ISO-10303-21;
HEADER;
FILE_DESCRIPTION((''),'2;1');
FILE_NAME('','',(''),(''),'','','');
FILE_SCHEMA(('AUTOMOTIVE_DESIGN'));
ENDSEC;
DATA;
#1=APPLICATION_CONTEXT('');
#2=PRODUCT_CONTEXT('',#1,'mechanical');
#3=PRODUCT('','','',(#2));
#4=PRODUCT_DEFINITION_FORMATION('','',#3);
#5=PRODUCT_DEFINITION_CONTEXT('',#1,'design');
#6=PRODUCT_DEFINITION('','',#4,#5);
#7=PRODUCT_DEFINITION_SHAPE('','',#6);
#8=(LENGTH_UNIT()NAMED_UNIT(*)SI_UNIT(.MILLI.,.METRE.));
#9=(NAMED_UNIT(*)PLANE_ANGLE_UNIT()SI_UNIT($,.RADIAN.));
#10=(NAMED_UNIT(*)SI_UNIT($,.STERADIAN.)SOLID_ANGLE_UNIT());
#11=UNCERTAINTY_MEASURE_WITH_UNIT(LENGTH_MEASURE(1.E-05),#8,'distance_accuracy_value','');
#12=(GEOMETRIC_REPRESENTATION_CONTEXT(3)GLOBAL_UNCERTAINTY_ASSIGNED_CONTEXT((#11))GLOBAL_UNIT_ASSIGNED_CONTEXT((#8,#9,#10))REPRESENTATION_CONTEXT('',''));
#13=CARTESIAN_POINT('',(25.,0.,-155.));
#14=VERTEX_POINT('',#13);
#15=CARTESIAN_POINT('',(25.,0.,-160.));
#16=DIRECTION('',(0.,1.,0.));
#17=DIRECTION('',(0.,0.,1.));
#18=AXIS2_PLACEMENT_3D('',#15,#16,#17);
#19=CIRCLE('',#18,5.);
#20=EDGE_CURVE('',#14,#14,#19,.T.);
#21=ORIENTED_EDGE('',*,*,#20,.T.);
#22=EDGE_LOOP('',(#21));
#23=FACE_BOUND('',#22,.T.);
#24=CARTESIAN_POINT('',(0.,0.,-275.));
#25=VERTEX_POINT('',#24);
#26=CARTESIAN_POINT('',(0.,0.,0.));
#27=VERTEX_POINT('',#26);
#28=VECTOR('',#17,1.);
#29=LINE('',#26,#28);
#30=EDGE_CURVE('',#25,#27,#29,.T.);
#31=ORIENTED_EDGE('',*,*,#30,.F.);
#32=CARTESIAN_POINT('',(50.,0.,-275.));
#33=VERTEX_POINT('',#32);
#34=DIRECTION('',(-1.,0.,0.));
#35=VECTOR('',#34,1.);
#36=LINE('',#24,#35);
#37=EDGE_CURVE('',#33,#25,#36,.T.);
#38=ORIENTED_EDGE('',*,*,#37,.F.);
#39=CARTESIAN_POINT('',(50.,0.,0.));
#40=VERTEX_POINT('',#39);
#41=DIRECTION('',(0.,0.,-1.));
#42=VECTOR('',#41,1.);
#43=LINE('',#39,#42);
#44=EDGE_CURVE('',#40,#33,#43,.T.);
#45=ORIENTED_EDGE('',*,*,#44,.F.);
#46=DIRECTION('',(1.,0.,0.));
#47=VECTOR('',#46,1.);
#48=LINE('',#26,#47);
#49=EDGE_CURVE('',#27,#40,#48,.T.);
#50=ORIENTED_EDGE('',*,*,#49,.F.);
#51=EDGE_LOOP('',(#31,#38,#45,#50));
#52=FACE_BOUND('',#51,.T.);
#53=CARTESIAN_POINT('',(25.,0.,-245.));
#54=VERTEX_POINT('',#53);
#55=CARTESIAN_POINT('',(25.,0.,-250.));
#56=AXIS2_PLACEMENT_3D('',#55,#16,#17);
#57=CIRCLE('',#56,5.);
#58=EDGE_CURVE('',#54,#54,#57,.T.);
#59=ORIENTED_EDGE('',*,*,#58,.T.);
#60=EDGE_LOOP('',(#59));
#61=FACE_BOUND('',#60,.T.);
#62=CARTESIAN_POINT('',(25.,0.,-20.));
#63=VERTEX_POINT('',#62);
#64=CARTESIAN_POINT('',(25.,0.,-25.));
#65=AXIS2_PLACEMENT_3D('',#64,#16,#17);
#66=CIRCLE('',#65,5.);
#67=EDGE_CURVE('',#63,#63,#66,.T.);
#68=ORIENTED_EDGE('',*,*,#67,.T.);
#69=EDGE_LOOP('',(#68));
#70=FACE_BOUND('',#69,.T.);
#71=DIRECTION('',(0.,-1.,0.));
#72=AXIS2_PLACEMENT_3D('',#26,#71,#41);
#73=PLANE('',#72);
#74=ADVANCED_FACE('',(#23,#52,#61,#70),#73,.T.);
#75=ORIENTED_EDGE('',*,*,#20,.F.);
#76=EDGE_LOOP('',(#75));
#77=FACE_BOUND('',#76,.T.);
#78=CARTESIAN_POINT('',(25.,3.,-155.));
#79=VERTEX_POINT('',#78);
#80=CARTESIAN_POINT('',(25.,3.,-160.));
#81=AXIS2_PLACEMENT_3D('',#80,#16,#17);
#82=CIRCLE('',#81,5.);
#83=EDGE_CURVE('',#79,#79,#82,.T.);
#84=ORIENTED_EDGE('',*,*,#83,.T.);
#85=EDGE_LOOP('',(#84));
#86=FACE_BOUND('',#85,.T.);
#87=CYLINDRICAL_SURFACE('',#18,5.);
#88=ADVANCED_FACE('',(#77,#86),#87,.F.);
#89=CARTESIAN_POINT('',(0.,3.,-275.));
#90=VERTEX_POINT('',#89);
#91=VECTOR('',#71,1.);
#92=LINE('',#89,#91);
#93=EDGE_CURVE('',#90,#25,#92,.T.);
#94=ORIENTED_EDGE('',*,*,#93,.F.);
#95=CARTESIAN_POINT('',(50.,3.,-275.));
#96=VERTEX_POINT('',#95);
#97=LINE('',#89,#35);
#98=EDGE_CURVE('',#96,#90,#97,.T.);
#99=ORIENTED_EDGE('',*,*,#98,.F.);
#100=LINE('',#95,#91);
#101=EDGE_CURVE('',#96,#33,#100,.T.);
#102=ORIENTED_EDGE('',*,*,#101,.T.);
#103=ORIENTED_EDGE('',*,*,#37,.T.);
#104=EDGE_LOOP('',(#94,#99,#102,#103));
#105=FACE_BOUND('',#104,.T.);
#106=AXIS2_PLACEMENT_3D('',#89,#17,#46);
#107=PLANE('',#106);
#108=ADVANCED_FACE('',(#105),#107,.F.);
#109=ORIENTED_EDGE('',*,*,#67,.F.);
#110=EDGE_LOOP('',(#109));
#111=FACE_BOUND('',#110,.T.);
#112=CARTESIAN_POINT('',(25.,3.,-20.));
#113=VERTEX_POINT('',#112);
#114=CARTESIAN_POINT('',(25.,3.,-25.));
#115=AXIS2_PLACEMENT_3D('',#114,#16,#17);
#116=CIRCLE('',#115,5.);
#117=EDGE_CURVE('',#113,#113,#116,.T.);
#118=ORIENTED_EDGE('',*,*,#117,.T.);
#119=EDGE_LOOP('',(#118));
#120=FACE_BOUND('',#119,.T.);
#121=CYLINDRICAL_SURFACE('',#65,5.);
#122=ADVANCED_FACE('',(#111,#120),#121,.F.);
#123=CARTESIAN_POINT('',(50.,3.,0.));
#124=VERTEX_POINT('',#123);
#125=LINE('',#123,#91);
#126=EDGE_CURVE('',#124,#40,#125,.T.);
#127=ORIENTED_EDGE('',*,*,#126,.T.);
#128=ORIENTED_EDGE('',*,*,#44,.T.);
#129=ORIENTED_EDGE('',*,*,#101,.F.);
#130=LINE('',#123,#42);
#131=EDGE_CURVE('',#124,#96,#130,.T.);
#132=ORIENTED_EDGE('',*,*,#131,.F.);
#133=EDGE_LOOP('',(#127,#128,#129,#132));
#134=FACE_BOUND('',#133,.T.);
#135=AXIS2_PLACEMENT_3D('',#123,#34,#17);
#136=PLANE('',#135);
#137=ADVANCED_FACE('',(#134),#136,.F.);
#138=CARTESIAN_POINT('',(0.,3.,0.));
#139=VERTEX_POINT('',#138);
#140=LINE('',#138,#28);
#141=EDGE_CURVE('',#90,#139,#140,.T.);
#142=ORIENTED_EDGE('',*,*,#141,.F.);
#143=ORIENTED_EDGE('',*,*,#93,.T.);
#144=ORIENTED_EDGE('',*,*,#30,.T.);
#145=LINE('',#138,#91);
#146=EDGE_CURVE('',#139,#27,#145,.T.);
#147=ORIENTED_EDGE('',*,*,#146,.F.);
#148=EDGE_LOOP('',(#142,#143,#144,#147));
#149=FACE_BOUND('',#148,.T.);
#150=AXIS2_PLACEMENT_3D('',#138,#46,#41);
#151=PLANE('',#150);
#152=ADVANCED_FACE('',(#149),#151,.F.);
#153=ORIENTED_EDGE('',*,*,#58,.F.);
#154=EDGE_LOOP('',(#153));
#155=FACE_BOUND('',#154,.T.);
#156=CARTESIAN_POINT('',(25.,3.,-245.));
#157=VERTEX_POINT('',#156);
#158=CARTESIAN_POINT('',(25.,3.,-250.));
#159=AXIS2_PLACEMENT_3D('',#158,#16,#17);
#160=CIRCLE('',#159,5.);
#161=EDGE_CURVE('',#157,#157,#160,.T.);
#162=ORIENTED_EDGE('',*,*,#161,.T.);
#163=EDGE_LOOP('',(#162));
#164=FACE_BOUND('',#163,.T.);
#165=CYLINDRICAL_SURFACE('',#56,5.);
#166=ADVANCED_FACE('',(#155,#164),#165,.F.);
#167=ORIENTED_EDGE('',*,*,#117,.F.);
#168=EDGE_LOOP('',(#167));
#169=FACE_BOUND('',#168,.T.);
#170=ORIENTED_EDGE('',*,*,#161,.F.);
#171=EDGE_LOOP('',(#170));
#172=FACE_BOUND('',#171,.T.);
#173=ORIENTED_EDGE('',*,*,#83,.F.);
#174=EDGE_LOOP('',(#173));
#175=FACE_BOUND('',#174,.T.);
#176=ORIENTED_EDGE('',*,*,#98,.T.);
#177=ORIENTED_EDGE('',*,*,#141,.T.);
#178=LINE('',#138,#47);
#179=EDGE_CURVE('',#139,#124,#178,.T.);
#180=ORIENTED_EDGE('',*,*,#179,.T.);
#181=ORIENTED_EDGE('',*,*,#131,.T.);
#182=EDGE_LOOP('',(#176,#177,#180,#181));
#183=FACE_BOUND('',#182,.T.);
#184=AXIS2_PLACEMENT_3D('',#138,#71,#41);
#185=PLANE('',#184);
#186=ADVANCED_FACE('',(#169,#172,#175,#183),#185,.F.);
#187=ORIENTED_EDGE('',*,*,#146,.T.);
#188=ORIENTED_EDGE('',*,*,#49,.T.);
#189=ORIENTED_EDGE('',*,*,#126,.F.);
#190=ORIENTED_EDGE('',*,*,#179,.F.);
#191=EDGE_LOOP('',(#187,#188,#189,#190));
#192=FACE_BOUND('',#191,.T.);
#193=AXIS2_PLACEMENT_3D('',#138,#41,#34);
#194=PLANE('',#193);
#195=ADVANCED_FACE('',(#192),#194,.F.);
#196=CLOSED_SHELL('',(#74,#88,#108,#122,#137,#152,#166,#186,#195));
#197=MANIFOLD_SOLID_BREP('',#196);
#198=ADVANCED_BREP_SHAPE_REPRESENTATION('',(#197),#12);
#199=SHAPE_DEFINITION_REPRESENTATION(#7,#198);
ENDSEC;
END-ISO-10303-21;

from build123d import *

# Parameters (mm, degrees)
SKETCH1_W           = 50
SKETCH1_H           = 275
BOSS_EXTRUDE1_DEPTH = 3
SKETCH2_R           = 5
CUT_EXTRUDE1_DEPTH  = 280.524596413


with BuildPart() as part:
    # Sketch1 → Boss-Extrude1 (new body)
    with BuildSketch(Plane(origin=(0, 0, 0), x_dir=(1, 0, 0), z_dir=(0, 1, 0))):
        with Locations((25, 137.5)):
            Rectangle(SKETCH1_W, SKETCH1_H)
    extrude(amount=BOSS_EXTRUDE1_DEPTH)

    # Sketch2 → Cut-Extrude1 (cut, through all)
    with BuildSketch(Plane(origin=(0, 3, 0), x_dir=(1, 0, 0), z_dir=(0, 1, 0))):
        with Locations(Location((25, 250, 0), (0, 0, 270))):
            Circle(SKETCH2_R)
        with Locations(Location((25, 25, 0), (0, 0, 270))):
            Circle(SKETCH2_R)
        with Locations(Location((25, 160, 0), (0, 0, 270))):
            Circle(SKETCH2_R)
    extrude(amount=-CUT_EXTRUDE1_DEPTH, mode=Mode.SUBTRACT)


solid = part.part
